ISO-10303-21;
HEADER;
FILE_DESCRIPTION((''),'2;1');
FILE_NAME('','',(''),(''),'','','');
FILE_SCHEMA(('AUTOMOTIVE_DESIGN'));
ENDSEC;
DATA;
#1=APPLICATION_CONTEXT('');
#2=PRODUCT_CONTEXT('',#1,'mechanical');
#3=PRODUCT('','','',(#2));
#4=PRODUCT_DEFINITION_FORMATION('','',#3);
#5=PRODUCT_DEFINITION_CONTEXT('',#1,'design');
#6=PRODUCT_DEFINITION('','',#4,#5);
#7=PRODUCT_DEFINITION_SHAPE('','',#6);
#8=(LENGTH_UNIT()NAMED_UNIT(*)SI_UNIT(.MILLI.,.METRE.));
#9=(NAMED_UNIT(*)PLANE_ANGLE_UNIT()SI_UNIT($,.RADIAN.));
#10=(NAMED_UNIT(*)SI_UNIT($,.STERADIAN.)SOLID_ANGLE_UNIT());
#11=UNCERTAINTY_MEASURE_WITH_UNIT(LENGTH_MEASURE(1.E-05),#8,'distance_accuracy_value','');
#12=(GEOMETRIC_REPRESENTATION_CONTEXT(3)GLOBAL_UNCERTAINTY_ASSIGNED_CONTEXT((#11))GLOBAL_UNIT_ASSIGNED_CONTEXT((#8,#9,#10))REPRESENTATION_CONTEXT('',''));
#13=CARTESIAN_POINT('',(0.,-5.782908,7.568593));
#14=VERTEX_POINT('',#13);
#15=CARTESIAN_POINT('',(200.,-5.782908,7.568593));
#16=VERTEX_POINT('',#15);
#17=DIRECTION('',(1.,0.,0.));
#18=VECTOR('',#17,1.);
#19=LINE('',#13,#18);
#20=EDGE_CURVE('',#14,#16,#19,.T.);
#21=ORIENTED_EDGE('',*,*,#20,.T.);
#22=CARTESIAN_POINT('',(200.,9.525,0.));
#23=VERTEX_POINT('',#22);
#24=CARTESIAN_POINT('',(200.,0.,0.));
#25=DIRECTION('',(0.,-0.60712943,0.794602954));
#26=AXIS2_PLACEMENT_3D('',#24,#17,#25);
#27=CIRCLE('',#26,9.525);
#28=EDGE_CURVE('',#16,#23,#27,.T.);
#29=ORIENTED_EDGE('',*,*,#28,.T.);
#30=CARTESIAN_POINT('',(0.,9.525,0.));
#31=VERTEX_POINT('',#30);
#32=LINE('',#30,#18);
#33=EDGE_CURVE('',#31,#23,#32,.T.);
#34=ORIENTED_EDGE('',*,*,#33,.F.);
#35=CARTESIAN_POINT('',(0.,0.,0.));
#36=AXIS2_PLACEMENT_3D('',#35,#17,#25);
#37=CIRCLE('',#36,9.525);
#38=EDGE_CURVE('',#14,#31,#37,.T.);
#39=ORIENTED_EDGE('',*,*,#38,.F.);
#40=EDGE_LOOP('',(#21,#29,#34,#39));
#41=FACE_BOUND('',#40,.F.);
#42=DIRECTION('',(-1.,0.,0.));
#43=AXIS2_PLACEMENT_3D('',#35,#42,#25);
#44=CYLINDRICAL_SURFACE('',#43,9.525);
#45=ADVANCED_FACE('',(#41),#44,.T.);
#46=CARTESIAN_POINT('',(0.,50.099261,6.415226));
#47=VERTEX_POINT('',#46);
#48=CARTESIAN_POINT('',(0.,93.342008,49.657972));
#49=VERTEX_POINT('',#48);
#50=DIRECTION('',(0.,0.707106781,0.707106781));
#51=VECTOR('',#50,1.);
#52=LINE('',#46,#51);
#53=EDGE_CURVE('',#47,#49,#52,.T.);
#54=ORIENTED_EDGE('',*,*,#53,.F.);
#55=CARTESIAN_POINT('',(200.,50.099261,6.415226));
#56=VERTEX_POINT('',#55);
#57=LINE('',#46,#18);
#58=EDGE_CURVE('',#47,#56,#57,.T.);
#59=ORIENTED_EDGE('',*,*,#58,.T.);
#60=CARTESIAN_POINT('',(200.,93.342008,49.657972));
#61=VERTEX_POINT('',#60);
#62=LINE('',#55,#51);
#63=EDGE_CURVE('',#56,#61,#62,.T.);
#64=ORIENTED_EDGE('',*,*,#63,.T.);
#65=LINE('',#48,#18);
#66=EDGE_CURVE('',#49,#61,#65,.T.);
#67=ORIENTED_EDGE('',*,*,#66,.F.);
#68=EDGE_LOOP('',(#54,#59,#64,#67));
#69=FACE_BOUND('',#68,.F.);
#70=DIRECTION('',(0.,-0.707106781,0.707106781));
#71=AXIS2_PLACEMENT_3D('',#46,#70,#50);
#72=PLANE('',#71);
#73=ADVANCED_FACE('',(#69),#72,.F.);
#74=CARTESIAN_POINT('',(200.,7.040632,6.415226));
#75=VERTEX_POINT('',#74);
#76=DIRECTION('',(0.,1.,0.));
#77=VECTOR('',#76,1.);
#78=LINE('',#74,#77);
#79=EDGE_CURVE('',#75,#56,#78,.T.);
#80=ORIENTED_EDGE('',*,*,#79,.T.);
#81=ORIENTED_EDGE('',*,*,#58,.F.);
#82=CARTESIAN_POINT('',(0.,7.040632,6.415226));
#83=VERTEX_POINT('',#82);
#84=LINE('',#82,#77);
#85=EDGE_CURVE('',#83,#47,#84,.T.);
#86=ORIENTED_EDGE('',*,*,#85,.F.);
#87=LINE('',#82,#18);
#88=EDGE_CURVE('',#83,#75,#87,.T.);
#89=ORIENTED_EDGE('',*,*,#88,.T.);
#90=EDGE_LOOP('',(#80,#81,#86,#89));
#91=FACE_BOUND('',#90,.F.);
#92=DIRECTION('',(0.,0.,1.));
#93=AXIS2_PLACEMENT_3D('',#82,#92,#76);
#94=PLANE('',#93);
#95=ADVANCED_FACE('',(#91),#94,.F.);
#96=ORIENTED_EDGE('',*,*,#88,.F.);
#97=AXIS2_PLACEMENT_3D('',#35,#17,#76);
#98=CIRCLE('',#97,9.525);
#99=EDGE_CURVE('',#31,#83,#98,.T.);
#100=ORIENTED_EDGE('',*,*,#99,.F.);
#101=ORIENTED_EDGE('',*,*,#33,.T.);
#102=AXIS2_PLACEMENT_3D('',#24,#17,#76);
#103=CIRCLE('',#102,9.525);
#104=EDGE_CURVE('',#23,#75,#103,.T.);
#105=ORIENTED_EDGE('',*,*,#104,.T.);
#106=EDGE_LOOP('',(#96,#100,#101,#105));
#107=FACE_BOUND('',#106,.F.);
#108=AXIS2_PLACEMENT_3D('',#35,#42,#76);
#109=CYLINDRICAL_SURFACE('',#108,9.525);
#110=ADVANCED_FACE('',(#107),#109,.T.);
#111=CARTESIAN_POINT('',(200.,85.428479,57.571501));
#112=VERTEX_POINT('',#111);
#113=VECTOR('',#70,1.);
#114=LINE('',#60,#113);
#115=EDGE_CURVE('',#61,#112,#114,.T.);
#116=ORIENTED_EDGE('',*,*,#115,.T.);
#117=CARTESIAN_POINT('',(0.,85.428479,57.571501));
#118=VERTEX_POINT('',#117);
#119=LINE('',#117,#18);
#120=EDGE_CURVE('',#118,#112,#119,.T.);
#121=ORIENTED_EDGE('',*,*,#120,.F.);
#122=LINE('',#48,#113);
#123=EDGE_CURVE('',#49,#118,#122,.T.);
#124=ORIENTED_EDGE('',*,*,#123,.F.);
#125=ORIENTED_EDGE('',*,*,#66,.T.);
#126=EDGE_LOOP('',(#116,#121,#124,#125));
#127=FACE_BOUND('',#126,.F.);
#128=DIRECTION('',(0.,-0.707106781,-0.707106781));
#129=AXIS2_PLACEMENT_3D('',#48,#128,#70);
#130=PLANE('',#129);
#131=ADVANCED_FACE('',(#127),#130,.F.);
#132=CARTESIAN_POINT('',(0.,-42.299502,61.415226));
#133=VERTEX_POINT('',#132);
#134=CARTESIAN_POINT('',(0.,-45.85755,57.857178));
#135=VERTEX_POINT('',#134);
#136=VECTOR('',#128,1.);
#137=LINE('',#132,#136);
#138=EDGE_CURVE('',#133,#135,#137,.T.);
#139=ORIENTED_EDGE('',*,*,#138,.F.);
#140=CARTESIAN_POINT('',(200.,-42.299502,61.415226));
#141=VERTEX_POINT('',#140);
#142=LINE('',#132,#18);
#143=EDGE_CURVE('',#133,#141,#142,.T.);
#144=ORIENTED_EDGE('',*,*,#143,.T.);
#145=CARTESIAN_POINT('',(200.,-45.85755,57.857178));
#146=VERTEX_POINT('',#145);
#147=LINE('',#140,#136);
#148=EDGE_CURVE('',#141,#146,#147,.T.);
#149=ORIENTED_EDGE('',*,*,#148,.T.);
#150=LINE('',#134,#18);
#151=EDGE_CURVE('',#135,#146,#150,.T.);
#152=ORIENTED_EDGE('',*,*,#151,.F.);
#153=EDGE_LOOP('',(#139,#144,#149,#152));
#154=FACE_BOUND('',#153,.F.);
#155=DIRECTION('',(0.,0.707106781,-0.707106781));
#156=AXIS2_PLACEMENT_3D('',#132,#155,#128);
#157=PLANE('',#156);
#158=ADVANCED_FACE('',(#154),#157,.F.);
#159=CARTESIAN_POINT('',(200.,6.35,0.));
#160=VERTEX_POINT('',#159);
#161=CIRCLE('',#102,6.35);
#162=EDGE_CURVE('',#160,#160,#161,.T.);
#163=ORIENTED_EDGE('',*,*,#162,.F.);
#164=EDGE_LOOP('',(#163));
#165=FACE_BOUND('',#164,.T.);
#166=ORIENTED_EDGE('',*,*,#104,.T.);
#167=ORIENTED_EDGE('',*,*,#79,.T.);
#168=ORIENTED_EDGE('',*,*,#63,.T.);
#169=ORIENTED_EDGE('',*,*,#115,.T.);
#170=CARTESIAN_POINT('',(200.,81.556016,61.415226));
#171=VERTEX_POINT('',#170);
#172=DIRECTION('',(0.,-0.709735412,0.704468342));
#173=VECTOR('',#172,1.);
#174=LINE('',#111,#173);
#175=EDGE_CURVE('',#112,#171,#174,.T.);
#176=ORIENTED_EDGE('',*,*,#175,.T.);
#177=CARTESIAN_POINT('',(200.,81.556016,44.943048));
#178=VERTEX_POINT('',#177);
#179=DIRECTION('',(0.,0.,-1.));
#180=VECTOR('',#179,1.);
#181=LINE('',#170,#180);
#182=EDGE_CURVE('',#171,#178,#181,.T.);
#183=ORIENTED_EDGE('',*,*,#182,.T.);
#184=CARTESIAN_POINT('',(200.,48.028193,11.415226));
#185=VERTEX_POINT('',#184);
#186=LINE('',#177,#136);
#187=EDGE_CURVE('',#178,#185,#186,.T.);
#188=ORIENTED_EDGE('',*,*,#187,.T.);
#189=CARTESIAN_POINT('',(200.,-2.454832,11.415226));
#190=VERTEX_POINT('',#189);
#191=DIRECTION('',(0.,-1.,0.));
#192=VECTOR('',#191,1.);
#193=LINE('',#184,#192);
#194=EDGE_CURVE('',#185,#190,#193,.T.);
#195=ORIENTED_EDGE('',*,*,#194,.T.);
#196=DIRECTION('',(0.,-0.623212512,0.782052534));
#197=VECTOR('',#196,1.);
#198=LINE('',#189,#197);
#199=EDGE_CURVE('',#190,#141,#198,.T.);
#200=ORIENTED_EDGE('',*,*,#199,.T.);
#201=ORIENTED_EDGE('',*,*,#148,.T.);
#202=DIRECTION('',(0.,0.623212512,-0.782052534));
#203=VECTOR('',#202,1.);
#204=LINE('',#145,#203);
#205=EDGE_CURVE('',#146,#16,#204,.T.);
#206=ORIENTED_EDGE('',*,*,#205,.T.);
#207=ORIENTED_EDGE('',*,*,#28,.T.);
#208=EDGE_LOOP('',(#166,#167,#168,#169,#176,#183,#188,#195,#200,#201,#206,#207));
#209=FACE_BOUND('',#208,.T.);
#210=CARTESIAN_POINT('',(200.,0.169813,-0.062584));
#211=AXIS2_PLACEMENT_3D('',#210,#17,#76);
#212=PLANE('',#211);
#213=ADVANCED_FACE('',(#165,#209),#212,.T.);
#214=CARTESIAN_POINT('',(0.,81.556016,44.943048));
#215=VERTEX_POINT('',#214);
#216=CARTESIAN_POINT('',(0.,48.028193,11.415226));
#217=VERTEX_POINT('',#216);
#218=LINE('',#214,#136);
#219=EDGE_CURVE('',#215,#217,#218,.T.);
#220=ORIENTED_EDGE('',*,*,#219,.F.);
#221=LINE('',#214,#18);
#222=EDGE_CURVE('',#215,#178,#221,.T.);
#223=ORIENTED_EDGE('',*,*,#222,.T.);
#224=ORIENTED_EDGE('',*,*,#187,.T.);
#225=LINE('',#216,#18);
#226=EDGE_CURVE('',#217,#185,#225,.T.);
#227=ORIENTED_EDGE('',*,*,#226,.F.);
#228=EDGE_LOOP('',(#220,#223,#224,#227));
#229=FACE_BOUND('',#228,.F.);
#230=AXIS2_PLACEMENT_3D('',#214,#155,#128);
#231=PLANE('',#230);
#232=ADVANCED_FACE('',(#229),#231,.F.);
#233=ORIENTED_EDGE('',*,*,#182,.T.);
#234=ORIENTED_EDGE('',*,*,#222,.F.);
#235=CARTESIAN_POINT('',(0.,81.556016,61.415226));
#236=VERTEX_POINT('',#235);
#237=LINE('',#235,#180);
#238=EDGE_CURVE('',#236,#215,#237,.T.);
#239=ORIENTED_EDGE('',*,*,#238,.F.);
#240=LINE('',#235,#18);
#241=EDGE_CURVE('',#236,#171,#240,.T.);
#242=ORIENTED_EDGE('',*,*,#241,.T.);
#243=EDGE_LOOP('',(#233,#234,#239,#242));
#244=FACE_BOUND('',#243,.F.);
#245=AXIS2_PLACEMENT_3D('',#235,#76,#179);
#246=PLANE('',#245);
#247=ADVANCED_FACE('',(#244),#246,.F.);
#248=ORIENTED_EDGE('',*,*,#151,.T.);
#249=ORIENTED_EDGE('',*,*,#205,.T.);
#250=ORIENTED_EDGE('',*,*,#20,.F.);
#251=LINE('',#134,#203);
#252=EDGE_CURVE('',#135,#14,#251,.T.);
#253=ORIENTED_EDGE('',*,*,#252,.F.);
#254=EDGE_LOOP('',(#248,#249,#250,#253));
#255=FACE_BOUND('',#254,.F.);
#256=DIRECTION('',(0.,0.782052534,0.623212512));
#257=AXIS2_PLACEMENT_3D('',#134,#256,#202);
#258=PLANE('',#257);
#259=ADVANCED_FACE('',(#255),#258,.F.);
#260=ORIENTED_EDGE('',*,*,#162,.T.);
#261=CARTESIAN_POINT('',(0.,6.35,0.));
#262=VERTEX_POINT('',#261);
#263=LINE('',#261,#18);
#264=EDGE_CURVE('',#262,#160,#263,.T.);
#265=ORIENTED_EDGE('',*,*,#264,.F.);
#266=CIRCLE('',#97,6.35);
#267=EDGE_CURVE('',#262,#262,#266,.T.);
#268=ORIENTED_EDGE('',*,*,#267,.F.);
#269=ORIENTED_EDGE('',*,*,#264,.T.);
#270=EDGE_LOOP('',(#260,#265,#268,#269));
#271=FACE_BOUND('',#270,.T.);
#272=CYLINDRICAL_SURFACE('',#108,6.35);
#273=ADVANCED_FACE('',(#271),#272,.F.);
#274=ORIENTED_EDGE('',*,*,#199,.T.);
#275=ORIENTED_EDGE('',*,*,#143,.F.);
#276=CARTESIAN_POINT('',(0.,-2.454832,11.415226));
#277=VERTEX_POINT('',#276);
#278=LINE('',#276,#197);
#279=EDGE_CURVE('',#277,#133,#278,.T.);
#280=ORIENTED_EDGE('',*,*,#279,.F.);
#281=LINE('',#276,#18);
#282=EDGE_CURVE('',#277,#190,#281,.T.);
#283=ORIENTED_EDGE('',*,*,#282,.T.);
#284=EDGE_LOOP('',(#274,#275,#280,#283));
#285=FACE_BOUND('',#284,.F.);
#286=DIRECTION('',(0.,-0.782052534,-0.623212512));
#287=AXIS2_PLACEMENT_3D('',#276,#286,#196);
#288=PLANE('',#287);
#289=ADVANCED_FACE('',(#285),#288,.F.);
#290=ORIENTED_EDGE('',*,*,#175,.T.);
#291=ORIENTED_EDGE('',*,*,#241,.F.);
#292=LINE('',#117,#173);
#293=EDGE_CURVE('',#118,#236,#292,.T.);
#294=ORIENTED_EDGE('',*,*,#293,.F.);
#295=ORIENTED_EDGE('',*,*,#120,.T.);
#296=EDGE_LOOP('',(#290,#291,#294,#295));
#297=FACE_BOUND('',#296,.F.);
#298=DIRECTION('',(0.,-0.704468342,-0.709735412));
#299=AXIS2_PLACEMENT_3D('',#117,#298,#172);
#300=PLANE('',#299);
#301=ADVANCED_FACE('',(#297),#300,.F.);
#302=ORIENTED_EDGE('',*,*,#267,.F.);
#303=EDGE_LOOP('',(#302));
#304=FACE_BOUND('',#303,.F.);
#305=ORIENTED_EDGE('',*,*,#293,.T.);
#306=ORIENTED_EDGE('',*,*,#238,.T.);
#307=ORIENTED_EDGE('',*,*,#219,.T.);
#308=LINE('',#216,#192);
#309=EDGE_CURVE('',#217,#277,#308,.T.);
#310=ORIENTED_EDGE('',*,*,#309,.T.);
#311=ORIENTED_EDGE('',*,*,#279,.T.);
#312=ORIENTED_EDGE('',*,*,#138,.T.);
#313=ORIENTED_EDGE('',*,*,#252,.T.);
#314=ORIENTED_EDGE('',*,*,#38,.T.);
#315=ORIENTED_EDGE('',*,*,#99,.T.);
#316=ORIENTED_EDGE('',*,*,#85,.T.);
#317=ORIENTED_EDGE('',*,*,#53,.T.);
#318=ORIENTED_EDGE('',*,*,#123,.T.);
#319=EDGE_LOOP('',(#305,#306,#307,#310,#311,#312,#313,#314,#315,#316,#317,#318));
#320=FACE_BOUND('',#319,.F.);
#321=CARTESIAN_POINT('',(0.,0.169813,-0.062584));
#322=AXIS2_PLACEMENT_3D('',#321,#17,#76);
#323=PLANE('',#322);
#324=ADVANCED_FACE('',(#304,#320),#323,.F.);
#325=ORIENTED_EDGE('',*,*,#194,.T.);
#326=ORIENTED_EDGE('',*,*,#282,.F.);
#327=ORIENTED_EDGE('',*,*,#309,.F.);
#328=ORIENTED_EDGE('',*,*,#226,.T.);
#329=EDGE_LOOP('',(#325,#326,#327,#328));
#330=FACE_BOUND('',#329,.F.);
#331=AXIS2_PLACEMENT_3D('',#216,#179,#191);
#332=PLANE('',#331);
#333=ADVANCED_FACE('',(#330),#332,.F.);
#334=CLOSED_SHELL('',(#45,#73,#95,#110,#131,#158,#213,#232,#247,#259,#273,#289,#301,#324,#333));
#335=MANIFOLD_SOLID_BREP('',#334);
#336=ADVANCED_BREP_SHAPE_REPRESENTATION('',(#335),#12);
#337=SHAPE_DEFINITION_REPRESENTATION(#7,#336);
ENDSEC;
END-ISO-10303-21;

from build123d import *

# Parameters (mm, degrees)
F0_R     = 6.35
F1_DEPTH = 200


with BuildPart() as f1:
    # F0 (on Right) → F1 (new body)
    with BuildSketch(Plane.YZ):
        with BuildLine():
            ThreePointArc((-5.7829078209, 7.568593141), (-4.2215771937, -8.5383787101), (9.525, 0))
            ThreePointArc((9.525, 0), (8.8822194716, 3.4397386904), (7.0406320718, 6.4152260311))
            Line((7.0406320718, 6.4152260311), (-4.86379717, 6.4152260311))
            Line((-4.86379717, 6.4152260311), (-5.7829078209, 7.568593141))
        make_face()
        Circle(F0_R, mode=Mode.SUBTRACT)
        with BuildLine():
            Line((-4.86379717, 6.4152260311), (7.0406320718, 6.4152260311))
            ThreePointArc((7.0406320718, 6.4152260311), (0.8532476167, 9.4867061462), (-5.7829078209, 7.568593141))
            Line((-5.7829078209, 7.568593141), (-4.86379717, 6.4152260311))
        make_face()
        with BuildLine():
            ThreePointArc((-5.7829078209, 7.568593141), (0.8532476167, 9.4867061462), (7.0406320718, 6.4152260311))
            Line((7.0406320718, 6.4152260311), (50.0992612617, 6.4152260311))
            Line((50.0992612617, 6.4152260311), (93.3420076617, 49.6579724311))
            Line((93.3420076617, 49.6579724311), (85.4284786876, 57.5715014053))
            Line((85.4284786876, 57.5715014053), (81.5560158427, 61.4152260311))
            Line((81.5560158427, 61.4152260311), (81.5560158427, 44.943048424))
            Line((81.5560158427, 44.943048424), (48.0281934499, 11.4152260311))
            Line((48.0281934499, 11.4152260311), (-2.454831837, 11.4152260311))
            Line((-2.454831837, 11.4152260311), (-42.2995024128, 61.4152260311))
            Line((-42.2995024128, 61.4152260311), (-45.8575500686, 57.8571783753))
            Line((-45.8575500686, 57.8571783753), (-5.7829078209, 7.568593141))
        make_face()
    extrude(amount=F1_DEPTH)


solid = f1.part
